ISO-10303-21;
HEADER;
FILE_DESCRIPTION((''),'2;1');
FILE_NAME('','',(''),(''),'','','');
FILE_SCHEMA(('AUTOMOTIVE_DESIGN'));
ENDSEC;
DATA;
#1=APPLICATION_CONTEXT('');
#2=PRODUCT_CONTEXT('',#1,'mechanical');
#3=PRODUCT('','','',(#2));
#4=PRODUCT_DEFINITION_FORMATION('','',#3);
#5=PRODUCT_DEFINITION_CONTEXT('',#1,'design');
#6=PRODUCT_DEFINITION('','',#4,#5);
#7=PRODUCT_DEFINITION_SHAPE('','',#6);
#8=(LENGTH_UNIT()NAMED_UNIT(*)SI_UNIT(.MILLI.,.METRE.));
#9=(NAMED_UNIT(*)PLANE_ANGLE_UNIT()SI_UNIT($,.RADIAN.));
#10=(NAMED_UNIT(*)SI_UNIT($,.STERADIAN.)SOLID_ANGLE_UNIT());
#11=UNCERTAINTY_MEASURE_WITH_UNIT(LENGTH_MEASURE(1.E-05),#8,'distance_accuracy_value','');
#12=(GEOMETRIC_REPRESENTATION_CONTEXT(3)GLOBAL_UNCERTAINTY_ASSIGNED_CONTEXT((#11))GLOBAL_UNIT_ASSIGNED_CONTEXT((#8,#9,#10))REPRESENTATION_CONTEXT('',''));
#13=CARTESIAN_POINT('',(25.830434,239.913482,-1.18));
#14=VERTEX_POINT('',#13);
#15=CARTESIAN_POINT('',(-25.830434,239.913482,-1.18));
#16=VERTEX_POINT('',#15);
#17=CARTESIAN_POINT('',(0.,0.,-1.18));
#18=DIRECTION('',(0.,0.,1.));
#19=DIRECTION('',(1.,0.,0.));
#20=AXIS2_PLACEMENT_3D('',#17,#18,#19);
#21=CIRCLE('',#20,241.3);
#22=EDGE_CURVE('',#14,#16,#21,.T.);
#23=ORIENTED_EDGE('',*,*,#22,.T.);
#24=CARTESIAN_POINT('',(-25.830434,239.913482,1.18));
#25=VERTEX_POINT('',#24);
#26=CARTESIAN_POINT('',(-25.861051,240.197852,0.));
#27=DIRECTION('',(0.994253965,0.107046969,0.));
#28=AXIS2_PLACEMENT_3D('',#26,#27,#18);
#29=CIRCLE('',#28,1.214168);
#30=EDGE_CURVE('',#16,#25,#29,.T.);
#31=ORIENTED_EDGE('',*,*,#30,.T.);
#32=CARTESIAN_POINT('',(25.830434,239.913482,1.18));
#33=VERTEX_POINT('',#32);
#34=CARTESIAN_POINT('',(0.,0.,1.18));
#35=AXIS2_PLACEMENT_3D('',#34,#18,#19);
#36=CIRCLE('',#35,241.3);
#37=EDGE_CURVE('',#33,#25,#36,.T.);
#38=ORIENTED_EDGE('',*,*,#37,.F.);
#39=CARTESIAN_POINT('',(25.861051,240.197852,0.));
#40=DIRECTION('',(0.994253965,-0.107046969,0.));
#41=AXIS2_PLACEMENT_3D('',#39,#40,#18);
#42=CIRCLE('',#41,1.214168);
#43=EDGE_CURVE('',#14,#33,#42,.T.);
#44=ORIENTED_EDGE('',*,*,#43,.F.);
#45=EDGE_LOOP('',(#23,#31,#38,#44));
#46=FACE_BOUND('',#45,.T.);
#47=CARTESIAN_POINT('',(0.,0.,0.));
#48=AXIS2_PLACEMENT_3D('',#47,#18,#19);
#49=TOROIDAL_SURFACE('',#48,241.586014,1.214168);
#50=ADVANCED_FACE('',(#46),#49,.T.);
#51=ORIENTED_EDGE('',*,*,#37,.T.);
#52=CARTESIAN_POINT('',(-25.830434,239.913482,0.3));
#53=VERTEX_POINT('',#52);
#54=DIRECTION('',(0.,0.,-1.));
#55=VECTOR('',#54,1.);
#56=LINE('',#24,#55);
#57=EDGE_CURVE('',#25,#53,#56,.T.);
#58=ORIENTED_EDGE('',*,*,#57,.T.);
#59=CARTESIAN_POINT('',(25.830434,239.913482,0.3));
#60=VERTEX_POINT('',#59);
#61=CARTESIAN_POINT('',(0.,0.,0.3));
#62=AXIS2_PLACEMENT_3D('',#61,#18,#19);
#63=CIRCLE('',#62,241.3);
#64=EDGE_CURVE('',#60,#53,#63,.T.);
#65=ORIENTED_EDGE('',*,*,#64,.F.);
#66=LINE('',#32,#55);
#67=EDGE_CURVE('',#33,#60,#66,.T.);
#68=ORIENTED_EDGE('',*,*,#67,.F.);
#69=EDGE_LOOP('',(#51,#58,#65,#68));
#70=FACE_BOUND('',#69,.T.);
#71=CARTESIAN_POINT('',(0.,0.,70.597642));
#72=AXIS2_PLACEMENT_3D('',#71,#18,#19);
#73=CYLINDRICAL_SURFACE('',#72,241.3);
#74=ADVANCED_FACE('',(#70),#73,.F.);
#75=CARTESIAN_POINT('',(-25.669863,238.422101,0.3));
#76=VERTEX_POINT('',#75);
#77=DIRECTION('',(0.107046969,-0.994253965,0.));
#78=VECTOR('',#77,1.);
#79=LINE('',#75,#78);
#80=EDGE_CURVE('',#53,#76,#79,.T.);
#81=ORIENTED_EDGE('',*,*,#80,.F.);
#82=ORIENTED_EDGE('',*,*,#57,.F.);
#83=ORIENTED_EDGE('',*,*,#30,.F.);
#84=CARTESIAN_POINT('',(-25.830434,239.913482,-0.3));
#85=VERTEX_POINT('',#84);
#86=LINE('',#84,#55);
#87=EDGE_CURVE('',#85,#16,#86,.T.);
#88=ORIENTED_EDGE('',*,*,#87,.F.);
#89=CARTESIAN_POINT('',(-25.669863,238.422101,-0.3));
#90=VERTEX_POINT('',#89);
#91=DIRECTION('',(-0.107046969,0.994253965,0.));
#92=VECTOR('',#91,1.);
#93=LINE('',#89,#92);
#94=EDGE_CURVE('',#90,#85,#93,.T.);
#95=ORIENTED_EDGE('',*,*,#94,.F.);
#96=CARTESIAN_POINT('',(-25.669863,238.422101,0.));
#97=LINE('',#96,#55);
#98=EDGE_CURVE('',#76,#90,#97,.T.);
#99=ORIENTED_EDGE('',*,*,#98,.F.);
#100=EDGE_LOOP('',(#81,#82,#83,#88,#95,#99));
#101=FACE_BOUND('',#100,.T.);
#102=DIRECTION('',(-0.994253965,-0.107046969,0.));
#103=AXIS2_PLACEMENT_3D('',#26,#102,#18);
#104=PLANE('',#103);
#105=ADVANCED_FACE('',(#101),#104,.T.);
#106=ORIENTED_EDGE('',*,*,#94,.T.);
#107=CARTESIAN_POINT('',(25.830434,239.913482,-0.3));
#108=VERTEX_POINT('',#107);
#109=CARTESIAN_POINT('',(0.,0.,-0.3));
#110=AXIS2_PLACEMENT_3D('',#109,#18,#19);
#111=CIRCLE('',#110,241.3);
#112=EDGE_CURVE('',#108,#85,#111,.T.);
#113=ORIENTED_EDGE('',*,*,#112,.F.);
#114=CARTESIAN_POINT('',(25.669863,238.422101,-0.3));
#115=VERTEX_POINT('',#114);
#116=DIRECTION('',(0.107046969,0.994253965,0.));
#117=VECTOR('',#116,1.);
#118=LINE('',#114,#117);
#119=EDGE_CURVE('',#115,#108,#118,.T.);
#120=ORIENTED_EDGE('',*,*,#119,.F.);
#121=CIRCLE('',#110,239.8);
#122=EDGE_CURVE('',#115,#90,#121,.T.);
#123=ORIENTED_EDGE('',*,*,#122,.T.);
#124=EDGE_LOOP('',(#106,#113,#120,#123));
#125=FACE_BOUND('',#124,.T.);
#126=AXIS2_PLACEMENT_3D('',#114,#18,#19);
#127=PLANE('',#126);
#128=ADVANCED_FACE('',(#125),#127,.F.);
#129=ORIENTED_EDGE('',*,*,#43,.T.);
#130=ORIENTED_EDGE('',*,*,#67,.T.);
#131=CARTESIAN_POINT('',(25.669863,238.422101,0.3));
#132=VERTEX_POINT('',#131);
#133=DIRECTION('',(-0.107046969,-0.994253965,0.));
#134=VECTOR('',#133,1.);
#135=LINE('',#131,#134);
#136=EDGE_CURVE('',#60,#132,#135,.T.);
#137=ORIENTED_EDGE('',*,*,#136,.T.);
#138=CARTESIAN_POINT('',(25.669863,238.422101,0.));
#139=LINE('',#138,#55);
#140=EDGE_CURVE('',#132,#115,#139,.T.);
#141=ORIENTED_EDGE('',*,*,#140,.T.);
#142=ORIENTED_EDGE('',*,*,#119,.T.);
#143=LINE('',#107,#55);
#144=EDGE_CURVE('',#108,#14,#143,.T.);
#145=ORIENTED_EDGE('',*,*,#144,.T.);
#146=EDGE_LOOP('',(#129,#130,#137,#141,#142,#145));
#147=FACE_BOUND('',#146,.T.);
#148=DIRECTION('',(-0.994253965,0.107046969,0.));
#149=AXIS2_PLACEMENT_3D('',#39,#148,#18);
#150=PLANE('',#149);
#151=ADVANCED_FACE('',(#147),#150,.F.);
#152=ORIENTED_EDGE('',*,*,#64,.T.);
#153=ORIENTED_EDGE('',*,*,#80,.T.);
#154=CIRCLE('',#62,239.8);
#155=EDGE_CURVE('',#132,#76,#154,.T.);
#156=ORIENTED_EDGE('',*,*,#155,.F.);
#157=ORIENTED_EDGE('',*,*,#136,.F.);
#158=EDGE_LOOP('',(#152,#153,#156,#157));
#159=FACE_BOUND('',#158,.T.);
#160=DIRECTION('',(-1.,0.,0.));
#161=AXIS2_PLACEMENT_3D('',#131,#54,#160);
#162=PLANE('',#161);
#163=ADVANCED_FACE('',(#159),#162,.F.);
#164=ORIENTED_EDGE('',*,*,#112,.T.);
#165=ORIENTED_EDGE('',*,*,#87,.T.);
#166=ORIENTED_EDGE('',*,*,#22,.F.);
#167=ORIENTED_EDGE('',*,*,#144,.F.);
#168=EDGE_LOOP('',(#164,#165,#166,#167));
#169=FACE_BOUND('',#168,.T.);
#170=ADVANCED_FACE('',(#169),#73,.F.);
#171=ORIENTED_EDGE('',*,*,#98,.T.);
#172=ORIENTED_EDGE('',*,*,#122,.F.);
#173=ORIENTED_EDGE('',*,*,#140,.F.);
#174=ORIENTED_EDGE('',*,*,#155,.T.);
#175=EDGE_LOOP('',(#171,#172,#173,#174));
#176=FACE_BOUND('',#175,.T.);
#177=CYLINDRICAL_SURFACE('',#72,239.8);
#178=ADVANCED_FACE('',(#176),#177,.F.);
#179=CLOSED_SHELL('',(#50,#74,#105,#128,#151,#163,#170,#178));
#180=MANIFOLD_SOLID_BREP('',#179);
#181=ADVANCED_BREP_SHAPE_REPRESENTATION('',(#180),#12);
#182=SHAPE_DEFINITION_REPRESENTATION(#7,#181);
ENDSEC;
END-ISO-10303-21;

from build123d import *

# Parameters (mm, degrees)
REVOLVE1_ANGLE           = 6.145114075
REVOLVE1_OTHER_WAY_ANGLE = 6.145114075


with BuildPart() as part:
    # Sketch2 → Revolve1 (revolve)
    with BuildSketch(Plane(origin=(0, 0, 0), x_dir=(0, 0, -1), z_dir=(1, 0, 0))):
        with BuildLine():
            Line((0, 239.8), (0.3, 239.8))
            Line((0.3, 239.8), (0.3, 241.3))
            Line((0.3, 241.3), (1.18, 241.3))
            ThreePointArc((1.18, 241.3), (0, 242.800182019), (-1.18, 241.3))
            Line((-1.18, 241.3), (-0.3, 241.3))
            Line((-0.3, 241.3), (-0.3, 239.8))
            Line((-0.3, 239.8), (0, 239.8))
        make_face()
    revolve(axis=Axis((0, 0, 70.597641597), (0, 0, -1)), revolution_arc=REVOLVE1_ANGLE)

    # Sketch2 → Revolve1 other way (revolve)
    with BuildSketch(Plane(origin=(0, 0, 0), x_dir=(0, 0, -1), z_dir=(1, 0, 0))):
        with BuildLine():
            Line((0, 239.8), (0.3, 239.8))
            Line((0.3, 239.8), (0.3, 241.3))
            Line((0.3, 241.3), (1.18, 241.3))
            ThreePointArc((1.18, 241.3), (0, 242.800182019), (-1.18, 241.3))
            Line((-1.18, 241.3), (-0.3, 241.3))
            Line((-0.3, 241.3), (-0.3, 239.8))
            Line((-0.3, 239.8), (0, 239.8))
        make_face()
    revolve(axis=Axis((0, 0, 70.597641597), (0, 0, 1)), revolution_arc=REVOLVE1_OTHER_WAY_ANGLE)


solid = part.part
